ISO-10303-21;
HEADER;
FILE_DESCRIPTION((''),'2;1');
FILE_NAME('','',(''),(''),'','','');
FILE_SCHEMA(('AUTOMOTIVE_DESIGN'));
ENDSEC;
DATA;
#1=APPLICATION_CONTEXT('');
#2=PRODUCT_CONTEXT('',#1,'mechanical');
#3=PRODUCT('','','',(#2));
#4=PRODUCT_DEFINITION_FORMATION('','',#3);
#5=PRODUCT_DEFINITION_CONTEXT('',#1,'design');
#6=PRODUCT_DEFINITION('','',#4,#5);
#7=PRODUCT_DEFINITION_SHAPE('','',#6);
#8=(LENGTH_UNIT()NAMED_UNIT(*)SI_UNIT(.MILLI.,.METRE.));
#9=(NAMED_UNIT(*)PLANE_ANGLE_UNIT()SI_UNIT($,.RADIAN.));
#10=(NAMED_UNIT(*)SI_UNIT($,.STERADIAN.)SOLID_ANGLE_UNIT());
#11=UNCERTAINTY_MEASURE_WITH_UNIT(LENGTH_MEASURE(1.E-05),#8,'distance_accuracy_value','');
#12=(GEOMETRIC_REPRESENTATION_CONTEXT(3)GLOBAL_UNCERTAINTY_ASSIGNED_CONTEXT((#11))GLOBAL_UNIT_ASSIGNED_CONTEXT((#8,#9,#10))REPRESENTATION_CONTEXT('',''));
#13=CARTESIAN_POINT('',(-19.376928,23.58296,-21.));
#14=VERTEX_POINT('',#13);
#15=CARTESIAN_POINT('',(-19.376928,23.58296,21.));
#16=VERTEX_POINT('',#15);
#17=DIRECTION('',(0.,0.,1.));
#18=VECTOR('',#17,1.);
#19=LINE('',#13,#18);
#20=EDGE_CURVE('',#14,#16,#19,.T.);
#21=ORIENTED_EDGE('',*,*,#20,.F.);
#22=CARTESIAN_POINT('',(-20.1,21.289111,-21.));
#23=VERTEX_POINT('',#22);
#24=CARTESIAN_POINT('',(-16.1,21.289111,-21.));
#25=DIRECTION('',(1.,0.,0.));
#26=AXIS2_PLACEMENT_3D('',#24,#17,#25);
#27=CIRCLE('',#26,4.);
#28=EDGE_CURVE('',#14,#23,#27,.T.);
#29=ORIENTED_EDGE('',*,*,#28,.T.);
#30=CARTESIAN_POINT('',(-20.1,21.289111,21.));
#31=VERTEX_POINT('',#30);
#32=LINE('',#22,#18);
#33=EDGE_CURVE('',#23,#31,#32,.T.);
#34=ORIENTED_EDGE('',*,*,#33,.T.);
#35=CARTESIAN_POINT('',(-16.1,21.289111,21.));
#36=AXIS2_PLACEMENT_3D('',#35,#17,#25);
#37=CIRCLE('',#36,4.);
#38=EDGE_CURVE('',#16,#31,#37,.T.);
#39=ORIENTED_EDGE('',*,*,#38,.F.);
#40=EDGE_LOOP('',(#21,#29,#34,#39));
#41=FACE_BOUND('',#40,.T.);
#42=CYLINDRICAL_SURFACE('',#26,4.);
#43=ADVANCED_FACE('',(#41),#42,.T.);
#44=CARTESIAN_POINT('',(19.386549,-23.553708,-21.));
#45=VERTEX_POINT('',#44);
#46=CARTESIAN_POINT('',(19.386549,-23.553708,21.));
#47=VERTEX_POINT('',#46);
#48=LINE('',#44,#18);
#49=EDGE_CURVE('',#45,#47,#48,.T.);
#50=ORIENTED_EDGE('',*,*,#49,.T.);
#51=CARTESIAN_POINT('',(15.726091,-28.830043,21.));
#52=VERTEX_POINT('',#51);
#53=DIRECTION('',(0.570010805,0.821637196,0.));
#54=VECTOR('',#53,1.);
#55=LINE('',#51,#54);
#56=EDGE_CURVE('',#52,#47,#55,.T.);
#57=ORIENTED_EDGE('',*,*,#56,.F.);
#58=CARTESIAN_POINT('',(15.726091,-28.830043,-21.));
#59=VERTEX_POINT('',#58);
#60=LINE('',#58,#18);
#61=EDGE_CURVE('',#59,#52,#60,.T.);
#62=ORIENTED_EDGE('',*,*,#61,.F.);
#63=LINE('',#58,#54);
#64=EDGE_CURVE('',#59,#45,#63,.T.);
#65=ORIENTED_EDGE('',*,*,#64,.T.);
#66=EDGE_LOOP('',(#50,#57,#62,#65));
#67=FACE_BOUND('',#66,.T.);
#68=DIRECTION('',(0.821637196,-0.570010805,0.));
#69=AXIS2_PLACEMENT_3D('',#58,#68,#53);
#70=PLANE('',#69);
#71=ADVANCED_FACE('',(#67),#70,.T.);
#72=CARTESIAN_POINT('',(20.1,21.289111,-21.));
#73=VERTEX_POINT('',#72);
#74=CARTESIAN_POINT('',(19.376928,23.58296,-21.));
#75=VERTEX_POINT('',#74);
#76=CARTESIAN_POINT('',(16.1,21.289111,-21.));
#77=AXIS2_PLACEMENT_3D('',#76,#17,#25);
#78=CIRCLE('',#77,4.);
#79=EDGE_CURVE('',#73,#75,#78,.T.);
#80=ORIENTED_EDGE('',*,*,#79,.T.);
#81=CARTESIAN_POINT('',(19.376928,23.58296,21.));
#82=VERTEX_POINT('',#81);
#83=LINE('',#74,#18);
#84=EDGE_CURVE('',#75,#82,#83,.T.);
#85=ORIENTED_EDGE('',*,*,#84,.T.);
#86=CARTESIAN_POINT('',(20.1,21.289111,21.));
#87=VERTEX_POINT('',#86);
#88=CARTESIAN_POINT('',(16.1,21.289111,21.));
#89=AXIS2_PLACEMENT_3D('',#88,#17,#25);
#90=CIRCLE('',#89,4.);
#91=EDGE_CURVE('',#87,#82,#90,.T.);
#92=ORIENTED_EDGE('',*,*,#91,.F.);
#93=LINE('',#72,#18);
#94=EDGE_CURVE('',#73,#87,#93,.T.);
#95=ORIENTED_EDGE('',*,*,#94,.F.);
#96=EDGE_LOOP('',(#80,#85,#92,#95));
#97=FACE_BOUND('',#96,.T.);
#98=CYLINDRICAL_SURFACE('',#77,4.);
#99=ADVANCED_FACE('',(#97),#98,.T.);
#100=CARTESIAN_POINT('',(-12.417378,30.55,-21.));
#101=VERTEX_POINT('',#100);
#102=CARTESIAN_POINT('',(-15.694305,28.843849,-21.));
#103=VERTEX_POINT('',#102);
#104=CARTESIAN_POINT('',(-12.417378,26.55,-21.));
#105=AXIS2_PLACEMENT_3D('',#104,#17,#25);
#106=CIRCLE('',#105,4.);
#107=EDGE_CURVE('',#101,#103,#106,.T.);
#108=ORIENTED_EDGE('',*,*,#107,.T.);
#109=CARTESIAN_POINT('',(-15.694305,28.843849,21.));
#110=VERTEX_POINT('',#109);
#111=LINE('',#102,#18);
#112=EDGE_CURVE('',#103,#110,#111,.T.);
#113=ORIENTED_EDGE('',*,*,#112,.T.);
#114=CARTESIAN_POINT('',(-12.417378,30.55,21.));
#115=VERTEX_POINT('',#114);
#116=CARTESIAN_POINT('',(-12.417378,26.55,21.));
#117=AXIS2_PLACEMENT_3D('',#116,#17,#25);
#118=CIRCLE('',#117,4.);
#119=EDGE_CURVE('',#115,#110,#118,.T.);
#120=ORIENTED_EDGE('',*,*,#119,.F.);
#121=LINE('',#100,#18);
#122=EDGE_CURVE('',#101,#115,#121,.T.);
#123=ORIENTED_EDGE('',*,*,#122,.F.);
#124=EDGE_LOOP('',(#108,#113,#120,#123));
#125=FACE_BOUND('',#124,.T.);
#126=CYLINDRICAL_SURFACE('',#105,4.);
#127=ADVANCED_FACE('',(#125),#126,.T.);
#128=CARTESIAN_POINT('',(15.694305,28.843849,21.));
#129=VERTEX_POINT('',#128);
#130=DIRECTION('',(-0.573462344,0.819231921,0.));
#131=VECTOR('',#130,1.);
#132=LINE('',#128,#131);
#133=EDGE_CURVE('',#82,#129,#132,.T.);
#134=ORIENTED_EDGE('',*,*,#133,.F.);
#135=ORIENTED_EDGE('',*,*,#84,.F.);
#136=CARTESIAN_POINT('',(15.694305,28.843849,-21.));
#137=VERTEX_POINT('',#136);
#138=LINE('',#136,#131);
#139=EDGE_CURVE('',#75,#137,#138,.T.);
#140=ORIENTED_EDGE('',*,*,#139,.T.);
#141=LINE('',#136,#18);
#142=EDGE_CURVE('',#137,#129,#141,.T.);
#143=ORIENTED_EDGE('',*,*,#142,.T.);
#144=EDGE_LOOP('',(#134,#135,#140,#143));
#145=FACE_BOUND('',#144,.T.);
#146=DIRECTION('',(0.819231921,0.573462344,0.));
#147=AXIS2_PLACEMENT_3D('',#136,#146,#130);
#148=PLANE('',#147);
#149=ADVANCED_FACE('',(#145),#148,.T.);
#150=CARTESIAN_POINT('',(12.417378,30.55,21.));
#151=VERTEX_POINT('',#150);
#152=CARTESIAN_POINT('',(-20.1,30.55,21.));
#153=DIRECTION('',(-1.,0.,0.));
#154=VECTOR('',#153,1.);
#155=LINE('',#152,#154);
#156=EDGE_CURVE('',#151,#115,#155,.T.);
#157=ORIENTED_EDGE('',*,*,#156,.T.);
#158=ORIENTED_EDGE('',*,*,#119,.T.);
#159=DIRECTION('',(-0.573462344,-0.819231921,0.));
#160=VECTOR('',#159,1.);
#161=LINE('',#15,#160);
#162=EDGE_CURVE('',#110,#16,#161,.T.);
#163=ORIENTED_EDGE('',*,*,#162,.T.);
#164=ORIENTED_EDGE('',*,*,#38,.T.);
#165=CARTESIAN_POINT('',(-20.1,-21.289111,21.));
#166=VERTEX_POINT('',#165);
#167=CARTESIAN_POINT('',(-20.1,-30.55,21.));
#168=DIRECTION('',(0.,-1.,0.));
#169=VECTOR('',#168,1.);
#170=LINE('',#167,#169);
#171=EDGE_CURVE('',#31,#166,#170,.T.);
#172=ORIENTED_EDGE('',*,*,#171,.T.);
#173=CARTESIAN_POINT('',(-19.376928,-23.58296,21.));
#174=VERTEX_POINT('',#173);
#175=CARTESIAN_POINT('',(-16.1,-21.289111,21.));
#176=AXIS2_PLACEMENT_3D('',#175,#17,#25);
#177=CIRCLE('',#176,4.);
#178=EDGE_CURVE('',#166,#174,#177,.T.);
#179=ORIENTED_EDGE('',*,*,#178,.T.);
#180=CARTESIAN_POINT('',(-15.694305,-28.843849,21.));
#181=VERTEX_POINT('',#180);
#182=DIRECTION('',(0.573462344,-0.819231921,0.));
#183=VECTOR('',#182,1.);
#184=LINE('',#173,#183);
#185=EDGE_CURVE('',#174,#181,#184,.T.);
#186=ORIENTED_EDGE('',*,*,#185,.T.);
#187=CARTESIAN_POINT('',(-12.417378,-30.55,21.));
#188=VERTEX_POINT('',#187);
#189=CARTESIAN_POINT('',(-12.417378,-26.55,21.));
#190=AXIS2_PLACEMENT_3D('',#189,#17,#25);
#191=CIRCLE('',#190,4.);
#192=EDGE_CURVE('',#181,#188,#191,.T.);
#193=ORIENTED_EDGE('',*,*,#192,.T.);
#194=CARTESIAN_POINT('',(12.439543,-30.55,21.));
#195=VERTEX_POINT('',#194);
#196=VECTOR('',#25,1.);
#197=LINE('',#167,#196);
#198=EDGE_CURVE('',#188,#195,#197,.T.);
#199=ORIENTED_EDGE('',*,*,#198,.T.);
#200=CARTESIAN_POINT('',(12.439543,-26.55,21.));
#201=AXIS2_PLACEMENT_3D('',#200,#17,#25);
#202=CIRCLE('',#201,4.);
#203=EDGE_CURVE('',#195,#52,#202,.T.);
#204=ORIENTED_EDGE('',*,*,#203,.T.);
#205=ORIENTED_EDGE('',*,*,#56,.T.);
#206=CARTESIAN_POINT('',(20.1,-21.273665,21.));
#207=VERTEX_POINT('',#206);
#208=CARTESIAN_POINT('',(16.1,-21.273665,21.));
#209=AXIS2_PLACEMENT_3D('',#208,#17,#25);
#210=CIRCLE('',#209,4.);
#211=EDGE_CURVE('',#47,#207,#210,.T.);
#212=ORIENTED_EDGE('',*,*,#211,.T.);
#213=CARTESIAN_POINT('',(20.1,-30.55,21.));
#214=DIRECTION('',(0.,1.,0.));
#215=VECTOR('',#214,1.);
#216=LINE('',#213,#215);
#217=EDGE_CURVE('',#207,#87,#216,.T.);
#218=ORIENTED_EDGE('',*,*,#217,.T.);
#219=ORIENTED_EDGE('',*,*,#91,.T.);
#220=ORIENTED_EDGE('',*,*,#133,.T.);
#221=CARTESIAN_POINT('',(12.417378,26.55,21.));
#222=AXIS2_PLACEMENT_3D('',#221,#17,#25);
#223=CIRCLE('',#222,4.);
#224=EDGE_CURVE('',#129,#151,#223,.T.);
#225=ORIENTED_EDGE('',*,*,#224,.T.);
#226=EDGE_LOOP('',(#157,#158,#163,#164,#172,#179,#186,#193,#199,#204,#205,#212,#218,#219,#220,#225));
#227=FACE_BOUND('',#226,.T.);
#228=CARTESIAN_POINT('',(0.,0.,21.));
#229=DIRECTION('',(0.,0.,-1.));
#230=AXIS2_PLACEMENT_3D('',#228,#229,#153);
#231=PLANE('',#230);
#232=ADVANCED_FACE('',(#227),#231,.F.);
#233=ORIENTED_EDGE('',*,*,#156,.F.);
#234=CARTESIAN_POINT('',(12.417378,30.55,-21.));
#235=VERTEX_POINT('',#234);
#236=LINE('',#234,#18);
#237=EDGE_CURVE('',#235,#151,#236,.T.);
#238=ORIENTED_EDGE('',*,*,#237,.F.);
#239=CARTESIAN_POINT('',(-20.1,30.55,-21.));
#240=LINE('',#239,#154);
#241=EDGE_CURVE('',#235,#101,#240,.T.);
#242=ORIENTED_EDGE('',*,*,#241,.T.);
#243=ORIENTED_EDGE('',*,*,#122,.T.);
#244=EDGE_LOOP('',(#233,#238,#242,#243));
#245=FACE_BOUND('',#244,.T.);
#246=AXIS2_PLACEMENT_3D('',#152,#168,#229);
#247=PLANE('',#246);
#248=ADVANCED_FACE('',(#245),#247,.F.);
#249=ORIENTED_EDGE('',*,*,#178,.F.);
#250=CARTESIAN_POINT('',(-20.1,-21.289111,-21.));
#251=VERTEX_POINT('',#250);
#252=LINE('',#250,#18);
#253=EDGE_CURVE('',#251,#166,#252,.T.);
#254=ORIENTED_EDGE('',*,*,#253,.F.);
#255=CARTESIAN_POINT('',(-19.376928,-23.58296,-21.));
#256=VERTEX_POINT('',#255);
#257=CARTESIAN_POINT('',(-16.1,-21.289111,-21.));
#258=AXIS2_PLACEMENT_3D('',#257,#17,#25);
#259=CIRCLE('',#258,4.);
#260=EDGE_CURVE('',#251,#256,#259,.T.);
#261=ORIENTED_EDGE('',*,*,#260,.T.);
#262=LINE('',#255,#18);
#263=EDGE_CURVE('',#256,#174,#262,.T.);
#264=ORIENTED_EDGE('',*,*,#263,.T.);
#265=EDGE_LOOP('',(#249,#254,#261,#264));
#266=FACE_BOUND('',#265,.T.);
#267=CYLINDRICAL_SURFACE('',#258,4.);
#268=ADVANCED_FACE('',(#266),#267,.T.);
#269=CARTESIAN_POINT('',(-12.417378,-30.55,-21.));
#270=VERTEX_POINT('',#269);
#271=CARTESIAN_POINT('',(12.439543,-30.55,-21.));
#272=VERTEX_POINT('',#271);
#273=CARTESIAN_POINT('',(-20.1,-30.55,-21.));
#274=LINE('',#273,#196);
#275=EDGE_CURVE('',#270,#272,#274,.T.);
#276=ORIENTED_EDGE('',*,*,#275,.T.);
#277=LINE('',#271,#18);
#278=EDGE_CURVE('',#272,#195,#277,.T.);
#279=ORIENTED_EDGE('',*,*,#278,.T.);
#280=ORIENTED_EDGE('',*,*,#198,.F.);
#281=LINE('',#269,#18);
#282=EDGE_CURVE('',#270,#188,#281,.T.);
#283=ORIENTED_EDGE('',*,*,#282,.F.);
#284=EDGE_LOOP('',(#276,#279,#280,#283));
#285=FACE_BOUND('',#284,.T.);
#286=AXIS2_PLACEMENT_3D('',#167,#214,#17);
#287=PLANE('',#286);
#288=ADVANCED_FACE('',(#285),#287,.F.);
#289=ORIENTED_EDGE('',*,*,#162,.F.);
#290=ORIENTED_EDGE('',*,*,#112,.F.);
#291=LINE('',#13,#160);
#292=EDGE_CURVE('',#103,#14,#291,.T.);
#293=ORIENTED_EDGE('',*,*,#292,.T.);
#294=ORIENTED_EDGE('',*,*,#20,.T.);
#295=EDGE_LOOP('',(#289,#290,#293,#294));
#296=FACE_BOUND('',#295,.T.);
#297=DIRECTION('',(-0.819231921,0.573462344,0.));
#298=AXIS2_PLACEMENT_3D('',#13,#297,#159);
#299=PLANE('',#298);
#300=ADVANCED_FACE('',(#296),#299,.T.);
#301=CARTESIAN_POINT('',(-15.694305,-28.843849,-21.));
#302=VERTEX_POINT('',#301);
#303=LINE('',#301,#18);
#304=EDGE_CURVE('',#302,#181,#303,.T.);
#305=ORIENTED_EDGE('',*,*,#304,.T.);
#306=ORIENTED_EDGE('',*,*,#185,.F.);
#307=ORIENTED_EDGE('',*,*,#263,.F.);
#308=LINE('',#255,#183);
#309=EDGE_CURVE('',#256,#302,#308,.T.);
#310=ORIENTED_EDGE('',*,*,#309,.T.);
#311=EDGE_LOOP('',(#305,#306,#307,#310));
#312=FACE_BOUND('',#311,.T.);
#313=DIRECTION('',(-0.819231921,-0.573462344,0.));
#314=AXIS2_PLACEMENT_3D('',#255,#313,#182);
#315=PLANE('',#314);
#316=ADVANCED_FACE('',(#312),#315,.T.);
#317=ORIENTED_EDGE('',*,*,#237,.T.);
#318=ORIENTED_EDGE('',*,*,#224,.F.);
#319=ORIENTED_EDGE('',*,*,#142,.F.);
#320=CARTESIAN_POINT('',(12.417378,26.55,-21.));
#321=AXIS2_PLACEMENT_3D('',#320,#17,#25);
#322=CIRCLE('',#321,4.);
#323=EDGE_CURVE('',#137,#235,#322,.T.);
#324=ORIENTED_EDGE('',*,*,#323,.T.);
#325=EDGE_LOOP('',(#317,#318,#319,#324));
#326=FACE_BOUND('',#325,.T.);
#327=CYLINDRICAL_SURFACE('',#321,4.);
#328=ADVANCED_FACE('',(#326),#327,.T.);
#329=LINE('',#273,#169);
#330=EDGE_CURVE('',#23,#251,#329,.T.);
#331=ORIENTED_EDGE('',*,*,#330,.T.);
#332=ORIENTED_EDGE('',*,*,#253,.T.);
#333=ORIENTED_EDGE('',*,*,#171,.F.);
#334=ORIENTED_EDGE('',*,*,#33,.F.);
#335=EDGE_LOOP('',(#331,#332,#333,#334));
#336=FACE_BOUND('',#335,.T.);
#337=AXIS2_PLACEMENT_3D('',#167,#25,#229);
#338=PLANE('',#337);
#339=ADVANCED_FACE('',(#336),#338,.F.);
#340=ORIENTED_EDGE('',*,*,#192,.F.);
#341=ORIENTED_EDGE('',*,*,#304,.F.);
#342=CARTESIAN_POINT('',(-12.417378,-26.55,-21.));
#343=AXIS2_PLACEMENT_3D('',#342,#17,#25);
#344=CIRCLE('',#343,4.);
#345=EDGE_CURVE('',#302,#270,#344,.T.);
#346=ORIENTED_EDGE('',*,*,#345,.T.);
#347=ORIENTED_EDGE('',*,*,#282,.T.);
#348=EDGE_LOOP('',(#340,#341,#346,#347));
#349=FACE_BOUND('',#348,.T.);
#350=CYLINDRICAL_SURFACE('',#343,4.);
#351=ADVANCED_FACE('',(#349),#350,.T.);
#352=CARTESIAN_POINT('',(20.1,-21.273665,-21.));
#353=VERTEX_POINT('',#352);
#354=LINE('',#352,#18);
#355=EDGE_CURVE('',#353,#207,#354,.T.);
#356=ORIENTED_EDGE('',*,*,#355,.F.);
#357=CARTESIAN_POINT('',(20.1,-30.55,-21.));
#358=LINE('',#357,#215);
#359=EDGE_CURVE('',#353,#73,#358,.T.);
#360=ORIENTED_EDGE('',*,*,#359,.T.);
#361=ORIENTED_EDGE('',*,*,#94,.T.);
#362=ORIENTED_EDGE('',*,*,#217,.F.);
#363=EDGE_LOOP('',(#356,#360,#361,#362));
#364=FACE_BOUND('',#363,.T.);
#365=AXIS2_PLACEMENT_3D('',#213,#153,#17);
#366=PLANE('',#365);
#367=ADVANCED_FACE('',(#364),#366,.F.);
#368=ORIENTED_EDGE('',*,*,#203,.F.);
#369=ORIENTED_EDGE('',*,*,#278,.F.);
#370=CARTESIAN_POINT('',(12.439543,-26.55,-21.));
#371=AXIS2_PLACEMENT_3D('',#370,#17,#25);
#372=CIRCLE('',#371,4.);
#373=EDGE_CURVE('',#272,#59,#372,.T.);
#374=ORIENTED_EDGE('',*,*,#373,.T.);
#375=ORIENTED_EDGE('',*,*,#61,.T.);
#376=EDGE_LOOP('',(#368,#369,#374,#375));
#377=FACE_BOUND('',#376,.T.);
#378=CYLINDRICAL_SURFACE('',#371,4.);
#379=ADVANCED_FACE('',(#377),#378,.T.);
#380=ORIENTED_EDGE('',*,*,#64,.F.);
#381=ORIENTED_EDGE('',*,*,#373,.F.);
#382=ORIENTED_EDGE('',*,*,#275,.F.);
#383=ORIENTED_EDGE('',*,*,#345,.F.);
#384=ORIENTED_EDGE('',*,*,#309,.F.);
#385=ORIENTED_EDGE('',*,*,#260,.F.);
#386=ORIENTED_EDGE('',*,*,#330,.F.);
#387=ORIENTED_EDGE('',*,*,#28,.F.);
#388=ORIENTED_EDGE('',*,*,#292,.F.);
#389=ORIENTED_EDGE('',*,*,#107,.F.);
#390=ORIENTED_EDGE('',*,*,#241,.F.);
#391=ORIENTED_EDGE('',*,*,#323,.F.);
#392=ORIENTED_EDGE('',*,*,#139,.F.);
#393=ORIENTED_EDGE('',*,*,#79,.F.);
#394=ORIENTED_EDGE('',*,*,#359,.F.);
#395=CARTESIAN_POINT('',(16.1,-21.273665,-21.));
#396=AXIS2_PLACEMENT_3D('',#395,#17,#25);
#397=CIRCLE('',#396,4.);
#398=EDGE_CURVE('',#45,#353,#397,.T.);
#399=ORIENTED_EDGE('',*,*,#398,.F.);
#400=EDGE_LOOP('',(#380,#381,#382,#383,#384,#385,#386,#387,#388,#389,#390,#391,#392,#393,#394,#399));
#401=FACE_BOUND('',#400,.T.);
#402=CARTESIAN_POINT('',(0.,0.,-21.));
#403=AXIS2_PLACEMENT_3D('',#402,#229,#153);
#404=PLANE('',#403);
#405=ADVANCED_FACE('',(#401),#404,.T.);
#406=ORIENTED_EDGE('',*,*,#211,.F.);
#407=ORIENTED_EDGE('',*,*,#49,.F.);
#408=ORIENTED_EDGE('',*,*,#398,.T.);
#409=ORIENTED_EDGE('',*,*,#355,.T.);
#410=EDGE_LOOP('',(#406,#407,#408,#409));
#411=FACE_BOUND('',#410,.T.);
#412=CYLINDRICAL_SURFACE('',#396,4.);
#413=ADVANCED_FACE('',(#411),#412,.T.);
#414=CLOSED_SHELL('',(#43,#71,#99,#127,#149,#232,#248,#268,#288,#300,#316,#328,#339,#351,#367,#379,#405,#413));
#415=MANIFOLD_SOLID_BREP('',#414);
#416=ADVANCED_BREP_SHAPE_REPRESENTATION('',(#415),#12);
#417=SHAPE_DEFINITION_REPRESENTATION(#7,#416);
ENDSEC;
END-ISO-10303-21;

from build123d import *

# Parameters (mm, degrees)
SKETCH1_W               = 40.2
SKETCH1_H               = 61.1
BOSS_EXTRUDE1_DEPTH     = 21
CUT_EXTRUDE_THIN1_DEPTH = 42


with BuildPart() as part:
    # Sketch1 → Boss-Extrude1 (new, symmetric)
    with BuildSketch(Plane.XY):
        Rectangle(SKETCH1_W, SKETCH1_H)
    extrude(amount=BOSS_EXTRUDE1_DEPTH, both=True)

    # Sketch2 → Cut-Extrude-Thin1 (cut)
    with BuildSketch(Plane.XY.offset(21)):
        with BuildLine():
            Line((12.43954262, -40.55), (-12.417377754, -40.55))
            ThreePointArc((-12.417377754, -40.55), (-18.882723085, -38.967701468), (-23.886624641, -34.578472821))
            Line((-23.886624641, -34.578472821), (-27.569246887, -29.317583898))
            ThreePointArc((-27.569246887, -29.317583898), (-29.452330441, -25.498062465), (-30.1, -21.289111077))
            Line((-30.1, -21.289111077), (-30.1, 0))
            Line((-30.1, 0), (-30.1, 21.289111077))
            ThreePointArc((-30.1, 21.289111077), (-29.452330441, 25.498062465), (-27.569246887, 29.317583898))
            Line((-27.569246887, 29.317583898), (-23.886624641, 34.578472821))
            ThreePointArc((-23.886624641, 34.578472821), (-18.882723085, 38.967701468), (-12.417377754, 40.55))
            Line((-12.417377754, 40.55), (12.417377754, 40.55))
            ThreePointArc((12.417377754, 40.55), (18.882723085, 38.967701468), (23.886624641, 34.578472821))
            Line((23.886624641, 34.578472821), (27.569246887, 29.317583898))
            ThreePointArc((27.569246887, 29.317583898), (29.452330441, 25.498062465), (30.1, 21.289111077))
            Line((30.1, 21.289111077), (30.1, 0))
            Line((30.1, 0), (30.1, -21.273665037))
            ThreePointArc((30.1, -21.273665037), (29.461154338, -25.454520783), (27.602920748, -29.253816306))
            Line((27.602920748, -29.253816306), (23.942463367, -34.530151269))
            ThreePointArc((23.942463367, -34.530151269), (18.930994007, -38.954074286), (12.43954262, -40.55))
        make_face()
        with BuildLine():
            Line((12.43954262, -30.55), (-12.417377754, -30.55))
            ThreePointArc((-12.417377754, -30.55), (-14.264619277, -30.097914705), (-15.694305436, -28.843849377))
            Line((-15.694305436, -28.843849377), (-19.376927682, -23.582960454))
            ThreePointArc((-19.376927682, -23.582960454), (-19.914951555, -22.491668616), (-20.1, -21.289111077))
            Line((-20.1, -21.289111077), (-20.1, 0))
            Line((-20.1, 0), (-20.1, 21.289111077))
            ThreePointArc((-20.1, 21.289111077), (-19.914951555, 22.491668616), (-19.376927682, 23.582960454))
            Line((-19.376927682, 23.582960454), (-15.694305436, 28.843849377))
            ThreePointArc((-15.694305436, 28.843849377), (-14.264619277, 30.097914705), (-12.417377754, 30.55))
            Line((-12.417377754, 30.55), (12.417377754, 30.55))
            ThreePointArc((12.417377754, 30.55), (14.264619277, 30.097914705), (15.694305436, 28.843849377))
            Line((15.694305436, 28.843849377), (19.376927682, 23.582960454))
            ThreePointArc((19.376927682, 23.582960454), (19.914951555, 22.491668616), (20.1, 21.289111077))
            Line((20.1, 21.289111077), (20.1, 0))
            Line((20.1, 0), (20.1, -21.273665037))
            ThreePointArc((20.1, -21.273665037), (19.917472668, -22.46819525), (19.386548785, -23.553708257))
            Line((19.386548785, -23.553708257), (15.726091405, -28.83004322))
            ThreePointArc((15.726091405, -28.83004322), (14.294243016, -30.094021224), (12.43954262, -30.55))
        make_face(mode=Mode.SUBTRACT)
    extrude(amount=-CUT_EXTRUDE_THIN1_DEPTH, mode=Mode.SUBTRACT)


solid = part.part
